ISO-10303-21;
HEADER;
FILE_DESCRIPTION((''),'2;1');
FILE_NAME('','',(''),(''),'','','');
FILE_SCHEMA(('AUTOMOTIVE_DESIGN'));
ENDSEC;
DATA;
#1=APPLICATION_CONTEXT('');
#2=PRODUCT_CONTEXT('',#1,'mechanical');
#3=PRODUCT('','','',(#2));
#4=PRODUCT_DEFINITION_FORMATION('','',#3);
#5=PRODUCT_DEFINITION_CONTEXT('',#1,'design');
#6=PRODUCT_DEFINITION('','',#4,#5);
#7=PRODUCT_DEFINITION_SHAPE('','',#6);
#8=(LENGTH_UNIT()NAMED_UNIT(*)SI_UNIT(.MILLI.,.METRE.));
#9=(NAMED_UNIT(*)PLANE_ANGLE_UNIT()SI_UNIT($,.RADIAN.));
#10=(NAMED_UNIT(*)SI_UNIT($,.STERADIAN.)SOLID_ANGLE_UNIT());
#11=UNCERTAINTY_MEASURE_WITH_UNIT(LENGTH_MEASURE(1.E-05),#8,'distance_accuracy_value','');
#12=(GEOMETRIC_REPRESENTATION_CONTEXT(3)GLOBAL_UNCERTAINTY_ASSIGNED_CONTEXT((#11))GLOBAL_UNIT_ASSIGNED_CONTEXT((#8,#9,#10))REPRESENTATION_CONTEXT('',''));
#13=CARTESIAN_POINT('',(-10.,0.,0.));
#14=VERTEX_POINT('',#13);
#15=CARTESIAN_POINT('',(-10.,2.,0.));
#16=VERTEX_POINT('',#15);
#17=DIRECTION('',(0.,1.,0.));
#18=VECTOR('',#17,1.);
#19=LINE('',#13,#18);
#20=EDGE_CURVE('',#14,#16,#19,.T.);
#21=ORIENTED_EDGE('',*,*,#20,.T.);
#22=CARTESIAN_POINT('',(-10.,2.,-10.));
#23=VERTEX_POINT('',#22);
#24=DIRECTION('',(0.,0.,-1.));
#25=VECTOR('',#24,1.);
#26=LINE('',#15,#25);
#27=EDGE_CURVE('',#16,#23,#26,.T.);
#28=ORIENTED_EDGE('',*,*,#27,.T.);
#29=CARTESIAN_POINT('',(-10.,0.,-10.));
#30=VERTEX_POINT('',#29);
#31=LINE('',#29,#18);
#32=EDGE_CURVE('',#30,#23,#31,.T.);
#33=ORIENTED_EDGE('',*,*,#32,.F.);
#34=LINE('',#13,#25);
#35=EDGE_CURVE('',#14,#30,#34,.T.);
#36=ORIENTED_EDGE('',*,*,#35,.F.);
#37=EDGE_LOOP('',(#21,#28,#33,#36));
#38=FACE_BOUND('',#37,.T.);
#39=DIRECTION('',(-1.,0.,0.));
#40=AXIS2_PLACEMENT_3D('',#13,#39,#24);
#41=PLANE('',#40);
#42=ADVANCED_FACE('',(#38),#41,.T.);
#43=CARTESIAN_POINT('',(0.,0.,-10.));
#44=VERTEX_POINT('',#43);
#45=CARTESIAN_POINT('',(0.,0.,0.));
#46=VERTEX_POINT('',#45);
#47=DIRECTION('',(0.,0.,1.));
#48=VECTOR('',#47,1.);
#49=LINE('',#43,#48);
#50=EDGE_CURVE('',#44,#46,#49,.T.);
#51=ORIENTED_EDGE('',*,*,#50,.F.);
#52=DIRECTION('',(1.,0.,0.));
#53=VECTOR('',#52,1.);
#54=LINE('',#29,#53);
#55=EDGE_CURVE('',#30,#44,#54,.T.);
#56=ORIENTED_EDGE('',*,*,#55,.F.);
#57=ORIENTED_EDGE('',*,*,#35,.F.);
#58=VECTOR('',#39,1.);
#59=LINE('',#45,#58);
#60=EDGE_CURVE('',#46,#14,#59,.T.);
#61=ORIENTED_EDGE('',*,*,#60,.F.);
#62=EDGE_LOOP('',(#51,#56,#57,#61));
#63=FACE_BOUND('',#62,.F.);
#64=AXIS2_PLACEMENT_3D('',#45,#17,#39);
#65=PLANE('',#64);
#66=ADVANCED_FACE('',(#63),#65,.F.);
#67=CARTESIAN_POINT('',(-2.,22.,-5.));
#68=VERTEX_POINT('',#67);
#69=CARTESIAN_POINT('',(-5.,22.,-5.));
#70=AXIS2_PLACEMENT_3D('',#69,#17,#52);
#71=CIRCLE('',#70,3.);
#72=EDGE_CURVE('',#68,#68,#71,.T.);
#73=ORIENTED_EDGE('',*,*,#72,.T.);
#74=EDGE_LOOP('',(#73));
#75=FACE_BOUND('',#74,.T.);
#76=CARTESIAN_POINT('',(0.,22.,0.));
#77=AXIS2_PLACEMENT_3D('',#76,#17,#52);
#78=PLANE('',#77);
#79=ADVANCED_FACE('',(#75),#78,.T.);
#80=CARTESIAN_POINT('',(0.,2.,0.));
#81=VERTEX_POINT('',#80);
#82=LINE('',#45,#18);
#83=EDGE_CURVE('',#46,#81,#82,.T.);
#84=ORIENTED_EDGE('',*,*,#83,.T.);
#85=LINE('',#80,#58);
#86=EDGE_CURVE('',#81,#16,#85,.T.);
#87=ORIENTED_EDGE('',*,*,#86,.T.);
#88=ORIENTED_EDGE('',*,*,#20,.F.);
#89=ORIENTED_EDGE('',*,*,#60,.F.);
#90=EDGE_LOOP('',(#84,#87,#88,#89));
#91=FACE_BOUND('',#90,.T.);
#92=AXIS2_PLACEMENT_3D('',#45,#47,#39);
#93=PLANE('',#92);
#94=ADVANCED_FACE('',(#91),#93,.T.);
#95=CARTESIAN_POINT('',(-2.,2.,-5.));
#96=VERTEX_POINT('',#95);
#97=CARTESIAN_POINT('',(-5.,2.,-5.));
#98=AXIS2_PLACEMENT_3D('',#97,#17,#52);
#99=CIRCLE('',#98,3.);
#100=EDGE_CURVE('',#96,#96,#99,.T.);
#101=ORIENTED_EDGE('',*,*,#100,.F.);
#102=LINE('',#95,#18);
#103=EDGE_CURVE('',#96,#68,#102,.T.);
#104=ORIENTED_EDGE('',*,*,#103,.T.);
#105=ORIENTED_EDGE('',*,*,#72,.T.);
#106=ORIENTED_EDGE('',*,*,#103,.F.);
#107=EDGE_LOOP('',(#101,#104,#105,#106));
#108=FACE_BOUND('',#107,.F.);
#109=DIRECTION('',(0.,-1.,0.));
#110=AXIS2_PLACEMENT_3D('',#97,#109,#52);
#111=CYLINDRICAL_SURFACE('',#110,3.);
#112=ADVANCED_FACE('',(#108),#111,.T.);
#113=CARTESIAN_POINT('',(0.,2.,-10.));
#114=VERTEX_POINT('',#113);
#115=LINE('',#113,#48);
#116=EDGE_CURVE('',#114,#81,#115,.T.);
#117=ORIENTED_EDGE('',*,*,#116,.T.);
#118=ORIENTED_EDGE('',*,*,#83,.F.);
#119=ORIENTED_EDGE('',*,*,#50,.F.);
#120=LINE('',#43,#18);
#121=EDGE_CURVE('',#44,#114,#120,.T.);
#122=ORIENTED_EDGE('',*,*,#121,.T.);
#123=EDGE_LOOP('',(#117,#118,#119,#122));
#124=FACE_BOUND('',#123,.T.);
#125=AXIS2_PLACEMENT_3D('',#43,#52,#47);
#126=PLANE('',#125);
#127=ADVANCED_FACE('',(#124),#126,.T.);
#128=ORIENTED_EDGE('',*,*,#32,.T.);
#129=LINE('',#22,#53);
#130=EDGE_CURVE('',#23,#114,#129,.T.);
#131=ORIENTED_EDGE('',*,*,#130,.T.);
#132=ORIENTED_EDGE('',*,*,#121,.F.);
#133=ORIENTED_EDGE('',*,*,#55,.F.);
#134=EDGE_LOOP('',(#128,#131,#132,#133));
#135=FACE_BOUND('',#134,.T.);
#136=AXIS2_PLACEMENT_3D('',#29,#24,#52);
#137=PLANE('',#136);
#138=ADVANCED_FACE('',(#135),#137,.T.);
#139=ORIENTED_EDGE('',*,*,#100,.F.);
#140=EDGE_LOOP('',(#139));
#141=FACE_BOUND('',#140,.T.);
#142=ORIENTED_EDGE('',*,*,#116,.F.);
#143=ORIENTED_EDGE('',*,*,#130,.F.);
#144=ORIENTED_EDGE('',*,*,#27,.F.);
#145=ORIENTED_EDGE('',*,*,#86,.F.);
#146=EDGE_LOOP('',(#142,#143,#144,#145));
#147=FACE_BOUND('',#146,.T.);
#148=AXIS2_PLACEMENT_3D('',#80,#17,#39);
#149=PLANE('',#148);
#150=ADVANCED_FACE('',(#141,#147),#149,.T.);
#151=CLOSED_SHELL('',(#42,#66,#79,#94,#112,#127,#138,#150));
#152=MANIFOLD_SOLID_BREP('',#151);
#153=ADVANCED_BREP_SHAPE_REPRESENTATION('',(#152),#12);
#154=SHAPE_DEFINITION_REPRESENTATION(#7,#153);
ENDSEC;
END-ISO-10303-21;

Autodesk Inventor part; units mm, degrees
ref_plane "YZ Plane" through (0, 0, 0) normal (1, 0, 0) x (0, 1, 0)
ref_plane "XZ Plane" through (0, 0, 0) normal (0, 1, 0) x (-1, 0, 0)
ref_plane "XY Plane" through (0, 0, 0) normal (0, 0, 1) x (1, 0, 0)
sketch "Sketch1" plane through (0, 0, 0) normal (0, 1, 0) x (-1, 0, 0)
  line L0 (0, 0) -> (10, 0)
  line L1 (10, 0) -> (10, -10)
  line L2 (10, -10) -> (0, -10)
  line L3 (0, -10) -> (0, 0)
  dimension "d0" = 10
  dimension "d1" = 10
extrude "Extrusion1" add sketch "Sketch1" along normal blind 2
sketch "Sketch2" plane through (0, 2, 0) normal (0, 1, 0) x (1, 0, 0)
  circle A0 centre (-5, 5) radius 3
  point P0 (0, 0)
  dimension "d4" = 6
  dimension "d5" = 5
  dimension "d6" = 5
extrude "Extrusion2" add sketch "Sketch2" along normal blind 20
properties part number "MouldSeparator"
